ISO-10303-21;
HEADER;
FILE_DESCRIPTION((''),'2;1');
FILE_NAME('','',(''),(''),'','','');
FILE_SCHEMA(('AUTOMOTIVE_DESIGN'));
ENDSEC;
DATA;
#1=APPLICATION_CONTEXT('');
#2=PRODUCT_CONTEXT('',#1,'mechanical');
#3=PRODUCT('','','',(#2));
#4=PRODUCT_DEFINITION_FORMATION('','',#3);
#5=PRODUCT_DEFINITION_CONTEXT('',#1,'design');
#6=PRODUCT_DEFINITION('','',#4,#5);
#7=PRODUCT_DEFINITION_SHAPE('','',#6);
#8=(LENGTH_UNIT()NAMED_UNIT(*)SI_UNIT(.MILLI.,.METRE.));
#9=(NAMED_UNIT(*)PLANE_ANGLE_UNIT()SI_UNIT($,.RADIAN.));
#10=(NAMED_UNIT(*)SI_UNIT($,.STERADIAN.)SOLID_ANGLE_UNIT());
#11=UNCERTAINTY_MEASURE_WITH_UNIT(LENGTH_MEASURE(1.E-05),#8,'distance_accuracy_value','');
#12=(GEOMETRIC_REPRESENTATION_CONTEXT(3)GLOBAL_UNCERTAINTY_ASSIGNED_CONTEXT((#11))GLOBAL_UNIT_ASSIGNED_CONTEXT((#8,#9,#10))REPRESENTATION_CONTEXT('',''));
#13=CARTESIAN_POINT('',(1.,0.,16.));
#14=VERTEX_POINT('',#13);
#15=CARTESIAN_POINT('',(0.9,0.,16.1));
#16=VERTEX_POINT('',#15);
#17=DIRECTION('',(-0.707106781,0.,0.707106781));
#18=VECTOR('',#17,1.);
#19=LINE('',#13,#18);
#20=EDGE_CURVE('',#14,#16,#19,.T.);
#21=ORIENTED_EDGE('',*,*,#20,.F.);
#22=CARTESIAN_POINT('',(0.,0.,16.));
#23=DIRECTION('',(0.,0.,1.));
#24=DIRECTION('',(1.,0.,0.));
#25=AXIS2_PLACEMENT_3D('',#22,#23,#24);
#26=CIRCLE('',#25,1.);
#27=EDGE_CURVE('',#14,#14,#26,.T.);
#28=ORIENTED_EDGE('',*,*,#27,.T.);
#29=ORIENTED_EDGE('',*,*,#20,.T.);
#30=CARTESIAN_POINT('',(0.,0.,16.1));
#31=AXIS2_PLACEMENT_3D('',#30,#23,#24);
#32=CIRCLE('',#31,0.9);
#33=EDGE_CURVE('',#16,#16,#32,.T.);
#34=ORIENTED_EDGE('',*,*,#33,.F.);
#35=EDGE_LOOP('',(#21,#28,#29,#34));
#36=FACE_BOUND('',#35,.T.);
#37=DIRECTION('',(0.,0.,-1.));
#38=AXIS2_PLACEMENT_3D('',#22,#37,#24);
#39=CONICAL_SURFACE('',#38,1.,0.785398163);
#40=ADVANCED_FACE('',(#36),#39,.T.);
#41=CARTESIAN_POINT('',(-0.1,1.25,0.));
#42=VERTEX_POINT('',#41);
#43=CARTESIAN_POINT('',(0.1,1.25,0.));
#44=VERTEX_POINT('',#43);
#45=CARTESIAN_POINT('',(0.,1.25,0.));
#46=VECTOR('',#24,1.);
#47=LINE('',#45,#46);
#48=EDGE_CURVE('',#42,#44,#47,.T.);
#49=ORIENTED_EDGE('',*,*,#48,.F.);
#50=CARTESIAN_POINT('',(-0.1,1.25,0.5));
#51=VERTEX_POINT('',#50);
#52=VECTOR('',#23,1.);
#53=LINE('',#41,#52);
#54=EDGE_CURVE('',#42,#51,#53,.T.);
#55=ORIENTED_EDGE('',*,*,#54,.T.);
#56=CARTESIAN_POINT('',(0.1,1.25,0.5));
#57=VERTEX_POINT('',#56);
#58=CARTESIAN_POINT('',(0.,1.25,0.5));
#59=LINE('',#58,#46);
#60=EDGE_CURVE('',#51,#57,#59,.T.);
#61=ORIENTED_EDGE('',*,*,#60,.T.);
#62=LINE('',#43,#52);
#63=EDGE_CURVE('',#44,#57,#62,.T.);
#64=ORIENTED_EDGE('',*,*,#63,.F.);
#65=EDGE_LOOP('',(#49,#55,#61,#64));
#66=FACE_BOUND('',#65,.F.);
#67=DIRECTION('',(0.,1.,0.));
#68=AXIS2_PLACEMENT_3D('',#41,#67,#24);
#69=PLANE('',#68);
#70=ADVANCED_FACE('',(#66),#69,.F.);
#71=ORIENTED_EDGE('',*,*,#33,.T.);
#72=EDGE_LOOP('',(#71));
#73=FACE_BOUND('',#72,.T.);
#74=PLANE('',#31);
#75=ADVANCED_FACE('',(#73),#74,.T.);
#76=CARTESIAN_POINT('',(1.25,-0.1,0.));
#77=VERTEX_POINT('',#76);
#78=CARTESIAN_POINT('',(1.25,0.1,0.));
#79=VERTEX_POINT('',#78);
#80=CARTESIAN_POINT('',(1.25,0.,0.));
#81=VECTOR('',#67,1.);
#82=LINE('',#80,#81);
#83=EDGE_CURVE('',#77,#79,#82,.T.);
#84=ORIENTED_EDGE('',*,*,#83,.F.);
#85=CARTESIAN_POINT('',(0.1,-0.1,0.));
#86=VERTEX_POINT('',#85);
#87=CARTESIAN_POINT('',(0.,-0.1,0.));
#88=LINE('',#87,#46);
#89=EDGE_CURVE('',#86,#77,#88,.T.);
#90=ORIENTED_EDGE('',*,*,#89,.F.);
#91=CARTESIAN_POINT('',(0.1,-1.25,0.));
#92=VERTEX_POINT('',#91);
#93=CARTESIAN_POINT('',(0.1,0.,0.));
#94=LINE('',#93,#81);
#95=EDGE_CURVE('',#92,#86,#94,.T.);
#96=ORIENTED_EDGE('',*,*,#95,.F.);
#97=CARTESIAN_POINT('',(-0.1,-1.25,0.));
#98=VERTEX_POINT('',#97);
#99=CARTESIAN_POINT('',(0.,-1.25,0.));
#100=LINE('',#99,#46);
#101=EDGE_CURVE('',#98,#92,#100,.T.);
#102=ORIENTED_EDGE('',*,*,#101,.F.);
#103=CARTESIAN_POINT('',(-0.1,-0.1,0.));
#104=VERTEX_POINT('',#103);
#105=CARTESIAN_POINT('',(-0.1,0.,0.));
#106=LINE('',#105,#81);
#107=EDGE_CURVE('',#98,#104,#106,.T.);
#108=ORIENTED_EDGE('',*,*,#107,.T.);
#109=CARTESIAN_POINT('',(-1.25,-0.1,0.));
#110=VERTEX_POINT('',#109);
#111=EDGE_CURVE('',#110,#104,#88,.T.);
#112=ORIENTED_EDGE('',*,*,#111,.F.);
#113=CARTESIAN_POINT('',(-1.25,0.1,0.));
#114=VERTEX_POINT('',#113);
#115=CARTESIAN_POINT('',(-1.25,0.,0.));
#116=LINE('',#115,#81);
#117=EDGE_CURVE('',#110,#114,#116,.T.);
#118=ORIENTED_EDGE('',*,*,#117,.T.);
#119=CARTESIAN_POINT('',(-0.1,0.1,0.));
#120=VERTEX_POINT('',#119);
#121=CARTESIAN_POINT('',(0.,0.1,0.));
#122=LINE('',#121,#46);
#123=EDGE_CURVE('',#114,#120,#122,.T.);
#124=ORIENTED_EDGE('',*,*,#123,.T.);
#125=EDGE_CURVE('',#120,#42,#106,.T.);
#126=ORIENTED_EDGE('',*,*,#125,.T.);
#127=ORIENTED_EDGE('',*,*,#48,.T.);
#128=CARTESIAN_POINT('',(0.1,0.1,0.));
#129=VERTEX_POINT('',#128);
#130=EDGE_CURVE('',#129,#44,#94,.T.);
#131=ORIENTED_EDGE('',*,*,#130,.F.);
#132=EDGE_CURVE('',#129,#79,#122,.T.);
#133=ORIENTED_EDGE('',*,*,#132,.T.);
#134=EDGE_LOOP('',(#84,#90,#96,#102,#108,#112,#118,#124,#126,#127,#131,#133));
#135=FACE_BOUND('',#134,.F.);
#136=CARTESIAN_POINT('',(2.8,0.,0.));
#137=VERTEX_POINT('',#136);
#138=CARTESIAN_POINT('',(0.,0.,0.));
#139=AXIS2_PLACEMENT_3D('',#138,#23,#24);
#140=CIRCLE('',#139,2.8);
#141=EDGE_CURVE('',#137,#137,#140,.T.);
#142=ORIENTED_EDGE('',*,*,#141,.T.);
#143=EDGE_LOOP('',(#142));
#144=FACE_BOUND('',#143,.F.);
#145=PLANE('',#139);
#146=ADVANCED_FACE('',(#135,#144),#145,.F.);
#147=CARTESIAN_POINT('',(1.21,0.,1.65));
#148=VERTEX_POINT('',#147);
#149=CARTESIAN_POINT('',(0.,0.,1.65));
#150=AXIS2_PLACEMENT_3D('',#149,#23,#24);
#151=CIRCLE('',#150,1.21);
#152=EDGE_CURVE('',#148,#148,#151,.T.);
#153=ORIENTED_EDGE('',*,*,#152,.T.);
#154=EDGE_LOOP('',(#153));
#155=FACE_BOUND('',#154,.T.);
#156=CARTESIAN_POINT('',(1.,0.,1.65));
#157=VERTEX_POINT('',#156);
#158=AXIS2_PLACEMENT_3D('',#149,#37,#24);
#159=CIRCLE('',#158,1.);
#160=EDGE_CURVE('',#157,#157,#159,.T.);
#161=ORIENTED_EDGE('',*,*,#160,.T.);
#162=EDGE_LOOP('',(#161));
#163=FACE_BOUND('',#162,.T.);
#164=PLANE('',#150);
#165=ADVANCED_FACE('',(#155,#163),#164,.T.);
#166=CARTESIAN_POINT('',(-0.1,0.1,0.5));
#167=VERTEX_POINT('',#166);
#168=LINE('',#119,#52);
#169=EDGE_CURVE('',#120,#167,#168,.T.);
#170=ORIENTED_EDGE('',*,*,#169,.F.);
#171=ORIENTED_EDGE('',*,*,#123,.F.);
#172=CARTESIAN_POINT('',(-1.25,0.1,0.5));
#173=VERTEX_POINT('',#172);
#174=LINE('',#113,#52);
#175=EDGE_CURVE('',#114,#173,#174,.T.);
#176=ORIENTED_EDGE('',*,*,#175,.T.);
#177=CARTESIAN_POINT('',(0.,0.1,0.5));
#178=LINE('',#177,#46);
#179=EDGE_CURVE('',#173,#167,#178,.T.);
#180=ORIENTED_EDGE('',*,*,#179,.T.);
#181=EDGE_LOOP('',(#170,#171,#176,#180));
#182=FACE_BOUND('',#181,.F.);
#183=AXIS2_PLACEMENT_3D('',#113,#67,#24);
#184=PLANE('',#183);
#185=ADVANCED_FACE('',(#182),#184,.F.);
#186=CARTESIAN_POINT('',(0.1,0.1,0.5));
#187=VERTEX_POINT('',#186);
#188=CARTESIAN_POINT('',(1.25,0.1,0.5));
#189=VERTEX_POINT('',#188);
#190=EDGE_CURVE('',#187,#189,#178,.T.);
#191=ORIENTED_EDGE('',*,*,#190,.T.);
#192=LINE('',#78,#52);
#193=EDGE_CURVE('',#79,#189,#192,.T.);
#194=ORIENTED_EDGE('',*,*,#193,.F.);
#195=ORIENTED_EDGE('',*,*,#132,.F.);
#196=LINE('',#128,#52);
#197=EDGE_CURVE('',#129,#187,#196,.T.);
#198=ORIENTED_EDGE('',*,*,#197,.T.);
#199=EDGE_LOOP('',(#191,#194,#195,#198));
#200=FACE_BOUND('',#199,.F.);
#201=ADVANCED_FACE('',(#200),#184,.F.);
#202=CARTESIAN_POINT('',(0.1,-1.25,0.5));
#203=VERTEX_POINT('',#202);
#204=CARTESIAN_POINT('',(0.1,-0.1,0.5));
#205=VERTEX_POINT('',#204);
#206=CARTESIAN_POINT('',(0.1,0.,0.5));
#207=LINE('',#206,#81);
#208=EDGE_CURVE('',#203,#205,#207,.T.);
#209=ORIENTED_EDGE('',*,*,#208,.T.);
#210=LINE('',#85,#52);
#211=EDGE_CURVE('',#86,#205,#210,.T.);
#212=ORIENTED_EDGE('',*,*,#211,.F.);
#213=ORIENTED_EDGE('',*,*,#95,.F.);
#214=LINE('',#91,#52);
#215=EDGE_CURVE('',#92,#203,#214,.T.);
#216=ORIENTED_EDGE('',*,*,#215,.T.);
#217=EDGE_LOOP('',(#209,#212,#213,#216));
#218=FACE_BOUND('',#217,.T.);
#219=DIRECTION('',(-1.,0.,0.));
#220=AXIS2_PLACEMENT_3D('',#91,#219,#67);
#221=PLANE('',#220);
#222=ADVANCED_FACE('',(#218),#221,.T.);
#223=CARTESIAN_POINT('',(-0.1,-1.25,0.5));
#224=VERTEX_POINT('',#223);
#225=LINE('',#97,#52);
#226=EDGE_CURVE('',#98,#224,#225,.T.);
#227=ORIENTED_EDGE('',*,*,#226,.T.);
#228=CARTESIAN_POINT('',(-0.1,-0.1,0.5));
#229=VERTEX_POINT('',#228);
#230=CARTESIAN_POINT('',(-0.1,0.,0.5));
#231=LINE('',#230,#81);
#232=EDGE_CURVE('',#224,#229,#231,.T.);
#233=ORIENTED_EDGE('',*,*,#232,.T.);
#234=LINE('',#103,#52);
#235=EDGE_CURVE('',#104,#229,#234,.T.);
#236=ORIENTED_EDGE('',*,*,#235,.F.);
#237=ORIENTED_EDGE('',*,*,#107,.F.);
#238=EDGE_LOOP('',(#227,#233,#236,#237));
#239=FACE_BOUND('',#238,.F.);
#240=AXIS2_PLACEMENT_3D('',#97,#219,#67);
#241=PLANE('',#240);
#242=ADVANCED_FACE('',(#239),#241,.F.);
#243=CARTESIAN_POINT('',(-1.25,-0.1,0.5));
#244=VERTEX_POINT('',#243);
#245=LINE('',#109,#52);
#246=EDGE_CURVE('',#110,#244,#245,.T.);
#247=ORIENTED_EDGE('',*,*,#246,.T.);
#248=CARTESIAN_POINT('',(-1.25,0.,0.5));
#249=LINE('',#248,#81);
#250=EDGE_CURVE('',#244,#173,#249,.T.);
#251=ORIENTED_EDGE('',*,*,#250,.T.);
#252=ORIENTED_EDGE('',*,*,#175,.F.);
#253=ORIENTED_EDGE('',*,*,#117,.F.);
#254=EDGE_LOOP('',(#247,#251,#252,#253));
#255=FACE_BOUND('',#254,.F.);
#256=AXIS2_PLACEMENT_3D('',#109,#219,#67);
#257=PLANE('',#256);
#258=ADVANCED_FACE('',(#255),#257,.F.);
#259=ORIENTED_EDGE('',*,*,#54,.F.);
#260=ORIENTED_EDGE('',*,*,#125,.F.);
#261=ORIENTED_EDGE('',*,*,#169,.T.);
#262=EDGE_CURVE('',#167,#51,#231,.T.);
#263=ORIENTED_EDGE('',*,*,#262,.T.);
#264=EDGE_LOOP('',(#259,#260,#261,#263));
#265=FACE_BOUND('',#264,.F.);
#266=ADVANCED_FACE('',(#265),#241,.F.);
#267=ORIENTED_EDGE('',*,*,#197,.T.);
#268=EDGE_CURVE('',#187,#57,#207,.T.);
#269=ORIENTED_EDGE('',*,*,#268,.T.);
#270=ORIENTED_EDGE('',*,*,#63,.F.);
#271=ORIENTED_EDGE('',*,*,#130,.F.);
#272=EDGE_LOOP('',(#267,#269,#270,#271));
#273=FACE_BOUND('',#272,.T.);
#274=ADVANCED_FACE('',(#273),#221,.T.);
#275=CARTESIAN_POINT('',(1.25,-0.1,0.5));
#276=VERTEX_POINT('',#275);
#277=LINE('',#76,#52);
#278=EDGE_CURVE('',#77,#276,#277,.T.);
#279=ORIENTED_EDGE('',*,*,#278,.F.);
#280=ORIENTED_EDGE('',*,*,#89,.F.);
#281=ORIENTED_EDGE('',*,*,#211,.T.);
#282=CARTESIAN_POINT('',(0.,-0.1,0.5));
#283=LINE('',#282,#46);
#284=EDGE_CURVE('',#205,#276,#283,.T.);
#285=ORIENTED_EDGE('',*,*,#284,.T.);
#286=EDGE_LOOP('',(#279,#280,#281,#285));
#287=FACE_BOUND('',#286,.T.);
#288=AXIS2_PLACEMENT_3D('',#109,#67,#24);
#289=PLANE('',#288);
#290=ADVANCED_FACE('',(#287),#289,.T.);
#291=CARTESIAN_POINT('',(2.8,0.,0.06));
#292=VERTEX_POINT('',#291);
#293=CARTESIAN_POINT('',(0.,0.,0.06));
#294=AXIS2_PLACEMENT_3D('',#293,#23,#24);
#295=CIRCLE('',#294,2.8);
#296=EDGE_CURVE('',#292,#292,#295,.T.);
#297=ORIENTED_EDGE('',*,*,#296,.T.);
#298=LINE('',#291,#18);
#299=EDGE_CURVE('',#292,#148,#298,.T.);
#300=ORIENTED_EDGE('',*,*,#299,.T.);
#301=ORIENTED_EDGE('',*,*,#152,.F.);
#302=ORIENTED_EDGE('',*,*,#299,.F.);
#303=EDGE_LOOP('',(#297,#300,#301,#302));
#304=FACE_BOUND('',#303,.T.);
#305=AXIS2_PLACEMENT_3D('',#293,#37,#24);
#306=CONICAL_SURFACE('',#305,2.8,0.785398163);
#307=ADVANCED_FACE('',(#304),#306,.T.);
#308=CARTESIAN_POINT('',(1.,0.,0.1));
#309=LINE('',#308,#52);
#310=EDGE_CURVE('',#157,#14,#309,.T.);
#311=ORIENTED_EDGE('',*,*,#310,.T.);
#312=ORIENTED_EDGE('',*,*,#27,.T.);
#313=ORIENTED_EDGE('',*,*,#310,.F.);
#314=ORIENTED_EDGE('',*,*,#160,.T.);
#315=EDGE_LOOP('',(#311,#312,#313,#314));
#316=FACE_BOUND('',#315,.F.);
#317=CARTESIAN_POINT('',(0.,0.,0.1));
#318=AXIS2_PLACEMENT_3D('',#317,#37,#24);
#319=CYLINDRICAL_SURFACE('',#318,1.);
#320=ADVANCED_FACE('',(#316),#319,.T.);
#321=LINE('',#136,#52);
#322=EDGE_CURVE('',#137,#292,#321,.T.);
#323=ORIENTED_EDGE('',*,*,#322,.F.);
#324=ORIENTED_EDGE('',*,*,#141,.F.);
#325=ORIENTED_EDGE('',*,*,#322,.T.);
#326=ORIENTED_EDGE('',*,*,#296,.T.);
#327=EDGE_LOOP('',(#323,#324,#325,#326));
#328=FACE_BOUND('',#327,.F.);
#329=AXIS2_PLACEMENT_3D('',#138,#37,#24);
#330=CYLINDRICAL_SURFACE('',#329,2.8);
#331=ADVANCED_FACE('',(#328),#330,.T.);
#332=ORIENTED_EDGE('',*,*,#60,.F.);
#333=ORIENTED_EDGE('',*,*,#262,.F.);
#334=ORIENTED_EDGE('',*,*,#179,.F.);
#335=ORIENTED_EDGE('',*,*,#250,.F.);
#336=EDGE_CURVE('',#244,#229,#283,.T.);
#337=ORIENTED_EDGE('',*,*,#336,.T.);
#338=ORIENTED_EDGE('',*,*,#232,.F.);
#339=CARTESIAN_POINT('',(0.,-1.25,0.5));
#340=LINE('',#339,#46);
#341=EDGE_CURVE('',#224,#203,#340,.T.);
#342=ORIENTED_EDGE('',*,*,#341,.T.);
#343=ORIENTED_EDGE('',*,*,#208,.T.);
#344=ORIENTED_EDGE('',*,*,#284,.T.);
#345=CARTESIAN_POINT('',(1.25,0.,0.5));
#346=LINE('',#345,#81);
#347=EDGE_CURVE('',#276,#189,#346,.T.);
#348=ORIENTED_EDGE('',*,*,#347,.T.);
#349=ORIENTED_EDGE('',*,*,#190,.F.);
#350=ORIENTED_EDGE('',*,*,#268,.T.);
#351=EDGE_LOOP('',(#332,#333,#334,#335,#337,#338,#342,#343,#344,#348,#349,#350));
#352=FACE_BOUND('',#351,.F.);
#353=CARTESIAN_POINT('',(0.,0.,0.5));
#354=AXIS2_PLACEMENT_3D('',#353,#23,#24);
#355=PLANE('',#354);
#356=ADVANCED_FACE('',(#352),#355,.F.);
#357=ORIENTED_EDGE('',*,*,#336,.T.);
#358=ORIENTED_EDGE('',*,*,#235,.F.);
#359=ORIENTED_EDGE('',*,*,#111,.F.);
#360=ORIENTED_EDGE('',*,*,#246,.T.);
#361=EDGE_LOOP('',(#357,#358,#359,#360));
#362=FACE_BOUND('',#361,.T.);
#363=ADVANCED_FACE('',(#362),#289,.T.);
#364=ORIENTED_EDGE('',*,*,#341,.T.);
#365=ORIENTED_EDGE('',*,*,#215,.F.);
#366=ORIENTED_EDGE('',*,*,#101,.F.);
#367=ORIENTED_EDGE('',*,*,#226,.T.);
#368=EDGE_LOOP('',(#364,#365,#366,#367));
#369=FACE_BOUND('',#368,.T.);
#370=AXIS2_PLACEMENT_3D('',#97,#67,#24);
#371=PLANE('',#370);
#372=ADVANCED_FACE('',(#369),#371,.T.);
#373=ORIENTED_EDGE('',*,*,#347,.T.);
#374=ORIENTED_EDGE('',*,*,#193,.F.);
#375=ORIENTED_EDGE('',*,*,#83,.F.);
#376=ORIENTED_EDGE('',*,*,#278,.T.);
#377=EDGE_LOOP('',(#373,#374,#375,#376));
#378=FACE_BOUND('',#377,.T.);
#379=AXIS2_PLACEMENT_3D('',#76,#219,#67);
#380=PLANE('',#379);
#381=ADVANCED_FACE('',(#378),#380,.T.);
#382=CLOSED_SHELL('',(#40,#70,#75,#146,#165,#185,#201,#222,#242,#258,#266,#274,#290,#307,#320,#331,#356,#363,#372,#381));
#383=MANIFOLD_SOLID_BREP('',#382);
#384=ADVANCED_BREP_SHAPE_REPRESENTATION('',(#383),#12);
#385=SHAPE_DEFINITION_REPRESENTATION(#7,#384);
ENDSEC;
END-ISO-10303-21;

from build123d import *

# Parameters (mm, degrees)
BOX_W             = 0.2
BOX_H             = 2.5
BOX_DEPTH         = 0.5
BOX001_W          = 2.5
BOX001_H          = 0.2
BOX001_DEPTH      = 0.5
CYLINDER_R        = 2.8
CYLINDER_DEPTH    = 1.65
CYLINDER001_R     = 1
CYLINDER001_DEPTH = 16
CHAMFER_SIZE      = 1.59
CHAMFER001_SIZE   = 0.1


with BuildPart() as w_rfel:
    # Box → Box (new body)
    with BuildSketch(Plane(origin=(-0.1, -1.25, 0), x_dir=(1, 0, 0), z_dir=(0, 0, 1))):
        with Locations((0.1, 1.25)):
            Rectangle(BOX_W, BOX_H)
    extrude(amount=BOX_DEPTH)


with BuildPart() as fusion:
    # Box001 → Box001 (new body)
    with BuildSketch(Plane(origin=(-1.25, -0.1, 0), x_dir=(1, 0, 0), z_dir=(0, 0, 1))):
        with Locations((1.25, 0.1)):
            Rectangle(BOX001_W, BOX001_H)
    extrude(amount=BOX001_DEPTH)

    # Fusion: union Würfel
    add(w_rfel.part)


with BuildPart() as zylinder:
    # Cylinder → Cylinder (new body)
    with BuildSketch(Plane.XY):
        Circle(CYLINDER_R)
    extrude(amount=CYLINDER_DEPTH)


with BuildPart() as screw:
    # Cylinder001 → Cylinder001 (new body)
    with BuildSketch(Plane.XY.offset(0.1)):
        Circle(CYLINDER001_R)
    extrude(amount=CYLINDER001_DEPTH)

    # Fusion001: union Zylinder
    add(zylinder.part)

    # Cut: cut Fusion
    add(fusion.part, mode=Mode.SUBTRACT)

    # Chamfer
    chamfer_edges = [screw.edges().sort_by_distance(p)[0] for p in [
        (-2.8, 0, 1.65),
    ]]
    chamfer(chamfer_edges, length=CHAMFER_SIZE)

    # Chamfer001
    chamfer001_edges = [screw.edges().sort_by_distance(p)[0] for p in [
        (-1, 0, 16.1),
    ]]
    chamfer(chamfer001_edges, length=CHAMFER001_SIZE)


solid = screw.part
